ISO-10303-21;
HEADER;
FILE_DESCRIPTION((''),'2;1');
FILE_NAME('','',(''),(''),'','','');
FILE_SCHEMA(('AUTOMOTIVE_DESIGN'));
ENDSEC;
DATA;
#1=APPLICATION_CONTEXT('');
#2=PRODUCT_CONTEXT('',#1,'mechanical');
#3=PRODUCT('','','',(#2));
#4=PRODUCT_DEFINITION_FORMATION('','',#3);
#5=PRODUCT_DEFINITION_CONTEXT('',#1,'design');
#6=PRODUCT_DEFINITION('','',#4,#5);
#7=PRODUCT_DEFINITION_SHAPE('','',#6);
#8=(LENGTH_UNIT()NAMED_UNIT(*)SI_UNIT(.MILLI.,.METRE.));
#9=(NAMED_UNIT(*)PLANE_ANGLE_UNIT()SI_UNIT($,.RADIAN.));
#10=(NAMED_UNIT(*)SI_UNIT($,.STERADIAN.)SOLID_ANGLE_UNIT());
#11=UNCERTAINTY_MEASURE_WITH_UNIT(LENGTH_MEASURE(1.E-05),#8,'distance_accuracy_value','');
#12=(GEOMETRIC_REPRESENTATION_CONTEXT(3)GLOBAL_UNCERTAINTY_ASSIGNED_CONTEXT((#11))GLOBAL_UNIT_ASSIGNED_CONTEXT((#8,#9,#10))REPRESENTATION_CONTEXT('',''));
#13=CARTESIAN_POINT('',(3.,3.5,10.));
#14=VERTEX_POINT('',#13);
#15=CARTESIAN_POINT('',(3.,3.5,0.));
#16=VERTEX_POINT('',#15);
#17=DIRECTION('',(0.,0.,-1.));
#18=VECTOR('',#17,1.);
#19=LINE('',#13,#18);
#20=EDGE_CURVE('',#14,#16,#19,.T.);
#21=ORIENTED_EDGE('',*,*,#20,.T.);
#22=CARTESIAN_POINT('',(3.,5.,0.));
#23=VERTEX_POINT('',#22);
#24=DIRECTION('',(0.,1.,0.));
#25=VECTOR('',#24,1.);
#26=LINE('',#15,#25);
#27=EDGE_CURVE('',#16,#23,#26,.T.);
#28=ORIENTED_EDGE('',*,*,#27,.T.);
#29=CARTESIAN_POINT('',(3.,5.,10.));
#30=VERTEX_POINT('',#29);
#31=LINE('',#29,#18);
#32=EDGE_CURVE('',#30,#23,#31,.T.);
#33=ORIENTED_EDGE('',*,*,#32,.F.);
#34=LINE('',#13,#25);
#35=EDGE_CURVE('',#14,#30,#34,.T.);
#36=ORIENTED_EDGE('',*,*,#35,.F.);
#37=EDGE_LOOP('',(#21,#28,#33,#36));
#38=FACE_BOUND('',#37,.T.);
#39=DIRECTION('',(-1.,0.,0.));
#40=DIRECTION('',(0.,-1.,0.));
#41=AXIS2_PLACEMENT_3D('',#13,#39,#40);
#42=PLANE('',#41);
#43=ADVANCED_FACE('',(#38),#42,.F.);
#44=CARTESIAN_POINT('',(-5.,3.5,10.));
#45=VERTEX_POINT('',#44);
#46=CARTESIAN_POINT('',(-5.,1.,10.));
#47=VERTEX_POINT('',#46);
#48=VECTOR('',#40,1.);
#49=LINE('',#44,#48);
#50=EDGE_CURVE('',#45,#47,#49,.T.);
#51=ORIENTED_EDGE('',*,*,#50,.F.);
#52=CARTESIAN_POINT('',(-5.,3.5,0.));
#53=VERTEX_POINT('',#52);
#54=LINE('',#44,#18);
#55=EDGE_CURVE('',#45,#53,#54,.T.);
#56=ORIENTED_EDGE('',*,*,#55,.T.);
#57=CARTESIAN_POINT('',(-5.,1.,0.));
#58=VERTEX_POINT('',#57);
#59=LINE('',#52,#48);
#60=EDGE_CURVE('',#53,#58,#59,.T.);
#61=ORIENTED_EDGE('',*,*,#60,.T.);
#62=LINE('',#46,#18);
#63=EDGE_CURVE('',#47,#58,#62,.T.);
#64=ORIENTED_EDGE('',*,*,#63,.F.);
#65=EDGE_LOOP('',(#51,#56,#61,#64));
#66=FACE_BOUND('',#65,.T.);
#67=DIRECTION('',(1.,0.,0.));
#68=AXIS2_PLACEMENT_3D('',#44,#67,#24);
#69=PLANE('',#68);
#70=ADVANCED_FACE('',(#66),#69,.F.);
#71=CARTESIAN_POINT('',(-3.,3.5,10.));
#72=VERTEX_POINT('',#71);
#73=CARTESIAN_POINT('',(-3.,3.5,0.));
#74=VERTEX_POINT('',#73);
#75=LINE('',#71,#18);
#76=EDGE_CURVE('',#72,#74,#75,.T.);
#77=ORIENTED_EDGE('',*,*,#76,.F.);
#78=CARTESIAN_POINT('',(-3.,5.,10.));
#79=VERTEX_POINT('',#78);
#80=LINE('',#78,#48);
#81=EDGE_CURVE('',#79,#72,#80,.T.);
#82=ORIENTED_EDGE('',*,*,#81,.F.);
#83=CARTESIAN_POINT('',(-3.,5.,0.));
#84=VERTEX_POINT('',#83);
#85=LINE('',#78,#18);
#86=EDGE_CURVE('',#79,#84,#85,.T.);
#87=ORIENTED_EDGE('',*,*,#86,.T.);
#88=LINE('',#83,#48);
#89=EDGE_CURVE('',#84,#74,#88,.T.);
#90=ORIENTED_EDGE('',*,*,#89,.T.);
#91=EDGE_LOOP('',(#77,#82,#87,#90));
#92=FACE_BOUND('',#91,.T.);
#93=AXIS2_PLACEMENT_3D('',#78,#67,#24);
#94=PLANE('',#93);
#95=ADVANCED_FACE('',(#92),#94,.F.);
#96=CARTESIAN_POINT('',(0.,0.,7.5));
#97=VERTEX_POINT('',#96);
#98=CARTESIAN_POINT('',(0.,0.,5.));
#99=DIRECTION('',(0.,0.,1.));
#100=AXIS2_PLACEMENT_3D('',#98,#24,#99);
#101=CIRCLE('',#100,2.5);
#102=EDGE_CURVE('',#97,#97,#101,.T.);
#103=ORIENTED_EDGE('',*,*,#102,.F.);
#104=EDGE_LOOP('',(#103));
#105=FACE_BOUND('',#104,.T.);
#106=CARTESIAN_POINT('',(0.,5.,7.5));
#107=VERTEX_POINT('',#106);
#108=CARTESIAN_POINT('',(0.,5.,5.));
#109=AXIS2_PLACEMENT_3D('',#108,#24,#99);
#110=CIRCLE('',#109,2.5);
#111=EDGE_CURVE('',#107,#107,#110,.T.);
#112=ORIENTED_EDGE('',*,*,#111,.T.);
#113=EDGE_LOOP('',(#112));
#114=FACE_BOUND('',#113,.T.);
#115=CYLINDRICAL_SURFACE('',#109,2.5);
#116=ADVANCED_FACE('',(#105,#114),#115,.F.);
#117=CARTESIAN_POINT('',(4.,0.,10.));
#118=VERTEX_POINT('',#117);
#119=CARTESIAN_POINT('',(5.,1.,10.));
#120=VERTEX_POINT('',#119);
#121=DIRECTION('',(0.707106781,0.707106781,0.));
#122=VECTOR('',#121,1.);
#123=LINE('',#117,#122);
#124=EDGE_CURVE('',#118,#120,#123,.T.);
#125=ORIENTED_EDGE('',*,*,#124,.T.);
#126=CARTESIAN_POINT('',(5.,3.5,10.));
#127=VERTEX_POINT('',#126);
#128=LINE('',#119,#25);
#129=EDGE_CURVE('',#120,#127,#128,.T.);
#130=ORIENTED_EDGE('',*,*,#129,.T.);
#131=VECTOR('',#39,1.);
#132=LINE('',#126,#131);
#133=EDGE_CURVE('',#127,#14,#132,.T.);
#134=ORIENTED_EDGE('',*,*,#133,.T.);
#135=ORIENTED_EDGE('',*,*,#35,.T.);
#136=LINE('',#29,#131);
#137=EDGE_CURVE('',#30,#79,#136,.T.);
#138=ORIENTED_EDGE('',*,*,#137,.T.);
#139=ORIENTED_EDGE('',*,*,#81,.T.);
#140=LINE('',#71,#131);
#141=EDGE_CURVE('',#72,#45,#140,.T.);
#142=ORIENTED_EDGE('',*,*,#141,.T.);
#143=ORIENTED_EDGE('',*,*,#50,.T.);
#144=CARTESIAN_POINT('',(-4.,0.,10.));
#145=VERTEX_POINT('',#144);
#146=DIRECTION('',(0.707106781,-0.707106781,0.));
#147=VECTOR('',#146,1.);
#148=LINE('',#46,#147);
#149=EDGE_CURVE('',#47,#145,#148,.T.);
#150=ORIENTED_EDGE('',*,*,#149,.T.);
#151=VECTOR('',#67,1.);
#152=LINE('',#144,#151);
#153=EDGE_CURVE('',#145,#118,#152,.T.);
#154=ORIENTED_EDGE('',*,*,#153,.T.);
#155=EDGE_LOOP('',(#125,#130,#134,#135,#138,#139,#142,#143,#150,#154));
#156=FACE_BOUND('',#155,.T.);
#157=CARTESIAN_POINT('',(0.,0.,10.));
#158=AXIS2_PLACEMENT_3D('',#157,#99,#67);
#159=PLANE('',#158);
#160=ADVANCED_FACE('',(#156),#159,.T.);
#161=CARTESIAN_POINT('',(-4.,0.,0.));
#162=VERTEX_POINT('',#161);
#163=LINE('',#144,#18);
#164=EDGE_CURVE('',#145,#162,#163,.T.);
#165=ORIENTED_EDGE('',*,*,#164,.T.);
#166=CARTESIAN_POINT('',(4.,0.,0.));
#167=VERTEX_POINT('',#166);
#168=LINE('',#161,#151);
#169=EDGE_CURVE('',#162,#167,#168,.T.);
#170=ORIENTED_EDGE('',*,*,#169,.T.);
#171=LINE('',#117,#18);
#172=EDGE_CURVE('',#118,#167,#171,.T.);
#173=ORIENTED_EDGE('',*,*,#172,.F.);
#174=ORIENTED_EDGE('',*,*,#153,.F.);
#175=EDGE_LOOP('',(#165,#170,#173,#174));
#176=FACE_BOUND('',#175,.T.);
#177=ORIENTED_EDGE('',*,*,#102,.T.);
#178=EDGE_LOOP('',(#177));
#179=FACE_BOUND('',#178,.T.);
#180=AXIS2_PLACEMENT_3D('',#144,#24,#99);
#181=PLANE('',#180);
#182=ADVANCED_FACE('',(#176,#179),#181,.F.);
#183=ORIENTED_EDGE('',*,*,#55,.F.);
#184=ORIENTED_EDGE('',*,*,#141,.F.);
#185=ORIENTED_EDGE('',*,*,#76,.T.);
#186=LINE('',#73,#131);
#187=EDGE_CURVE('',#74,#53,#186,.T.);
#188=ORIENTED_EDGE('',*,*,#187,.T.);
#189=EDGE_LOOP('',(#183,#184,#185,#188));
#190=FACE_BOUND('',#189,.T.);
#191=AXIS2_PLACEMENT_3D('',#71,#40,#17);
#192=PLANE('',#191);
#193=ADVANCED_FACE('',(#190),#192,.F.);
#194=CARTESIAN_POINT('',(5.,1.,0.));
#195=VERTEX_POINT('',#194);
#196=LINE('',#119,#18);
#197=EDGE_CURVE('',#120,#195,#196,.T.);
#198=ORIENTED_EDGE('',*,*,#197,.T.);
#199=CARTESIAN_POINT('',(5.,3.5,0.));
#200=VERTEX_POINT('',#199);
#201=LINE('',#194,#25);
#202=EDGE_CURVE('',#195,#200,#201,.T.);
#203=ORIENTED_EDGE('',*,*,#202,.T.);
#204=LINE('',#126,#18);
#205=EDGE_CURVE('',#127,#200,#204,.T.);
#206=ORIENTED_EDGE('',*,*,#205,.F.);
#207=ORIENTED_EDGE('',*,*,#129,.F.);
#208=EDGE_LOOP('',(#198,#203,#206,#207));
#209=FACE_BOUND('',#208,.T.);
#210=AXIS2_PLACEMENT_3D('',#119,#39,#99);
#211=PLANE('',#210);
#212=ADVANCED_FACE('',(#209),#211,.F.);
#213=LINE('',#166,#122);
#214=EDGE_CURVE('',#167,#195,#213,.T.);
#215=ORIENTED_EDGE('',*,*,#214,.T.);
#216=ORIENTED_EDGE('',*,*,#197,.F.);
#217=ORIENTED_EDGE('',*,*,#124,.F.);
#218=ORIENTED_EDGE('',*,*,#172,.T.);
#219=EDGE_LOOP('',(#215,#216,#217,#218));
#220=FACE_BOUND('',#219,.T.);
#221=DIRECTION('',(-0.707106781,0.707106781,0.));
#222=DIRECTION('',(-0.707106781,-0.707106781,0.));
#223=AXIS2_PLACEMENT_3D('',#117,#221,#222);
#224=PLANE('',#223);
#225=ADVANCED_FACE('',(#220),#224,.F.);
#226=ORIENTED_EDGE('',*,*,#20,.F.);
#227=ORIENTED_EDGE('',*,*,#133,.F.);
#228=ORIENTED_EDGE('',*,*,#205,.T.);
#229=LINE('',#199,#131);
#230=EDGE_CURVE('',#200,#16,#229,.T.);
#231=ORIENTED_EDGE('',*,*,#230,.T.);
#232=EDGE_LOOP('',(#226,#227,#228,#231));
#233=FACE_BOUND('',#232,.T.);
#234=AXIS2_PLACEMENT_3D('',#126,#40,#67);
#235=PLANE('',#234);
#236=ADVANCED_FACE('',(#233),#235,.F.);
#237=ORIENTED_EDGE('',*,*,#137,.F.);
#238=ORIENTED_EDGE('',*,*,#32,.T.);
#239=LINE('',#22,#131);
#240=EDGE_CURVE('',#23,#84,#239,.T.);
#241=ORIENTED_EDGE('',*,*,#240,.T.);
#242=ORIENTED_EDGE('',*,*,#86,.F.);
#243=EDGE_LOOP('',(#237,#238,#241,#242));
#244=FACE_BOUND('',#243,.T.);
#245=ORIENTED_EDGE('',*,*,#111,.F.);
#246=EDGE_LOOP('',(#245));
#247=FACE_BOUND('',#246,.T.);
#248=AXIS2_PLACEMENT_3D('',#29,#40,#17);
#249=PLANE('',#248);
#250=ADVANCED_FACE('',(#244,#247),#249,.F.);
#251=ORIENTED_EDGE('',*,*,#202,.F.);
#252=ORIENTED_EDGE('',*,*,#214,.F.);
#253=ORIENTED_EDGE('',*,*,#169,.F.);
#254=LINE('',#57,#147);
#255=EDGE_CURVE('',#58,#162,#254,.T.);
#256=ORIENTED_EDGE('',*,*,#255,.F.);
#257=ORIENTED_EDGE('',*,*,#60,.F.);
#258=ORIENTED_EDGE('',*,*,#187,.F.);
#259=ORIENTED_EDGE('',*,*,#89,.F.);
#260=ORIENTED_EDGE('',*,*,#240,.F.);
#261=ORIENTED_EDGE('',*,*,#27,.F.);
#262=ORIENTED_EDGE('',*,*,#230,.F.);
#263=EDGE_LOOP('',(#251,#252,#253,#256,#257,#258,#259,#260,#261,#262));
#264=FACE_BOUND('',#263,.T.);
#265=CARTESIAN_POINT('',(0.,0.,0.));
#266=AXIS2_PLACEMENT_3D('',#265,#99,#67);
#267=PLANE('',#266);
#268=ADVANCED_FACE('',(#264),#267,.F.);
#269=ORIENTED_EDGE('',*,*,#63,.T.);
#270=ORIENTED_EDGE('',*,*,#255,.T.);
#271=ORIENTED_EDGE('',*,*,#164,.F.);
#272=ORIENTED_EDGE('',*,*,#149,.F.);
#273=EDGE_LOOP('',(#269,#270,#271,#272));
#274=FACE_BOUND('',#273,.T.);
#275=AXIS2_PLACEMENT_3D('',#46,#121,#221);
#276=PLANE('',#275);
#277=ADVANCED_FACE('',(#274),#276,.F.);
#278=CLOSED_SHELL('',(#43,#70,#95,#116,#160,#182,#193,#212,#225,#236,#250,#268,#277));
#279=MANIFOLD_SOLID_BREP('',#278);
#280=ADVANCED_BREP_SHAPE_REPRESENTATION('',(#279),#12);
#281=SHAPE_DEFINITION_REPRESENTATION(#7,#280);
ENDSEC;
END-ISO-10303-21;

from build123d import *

# Parameters (mm, degrees)
BOSS_EXTRUDE1_DEPTH   = 10
M6X1_0_TAPPED_HOLE1_D = 5


with BuildPart() as part:
    # Sketch1 → Boss-Extrude1 (new body)
    with BuildSketch(Plane.XY):
        Polygon((-4, 0), (4, 0), (5, 1), (5, 3.5), (3, 3.5), (3, 5), (-3, 5), (-3, 3.5), (-5, 3.5), (-5, 1), align=None)
    extrude(amount=BOSS_EXTRUDE1_DEPTH)

    # M6x1.0 Tapped Hole1 (through all)
    with Locations(Plane(origin=(0, 5, 0), x_dir=(1, 0, 0), z_dir=(0, 1, 0))):
        with Locations((0, -5)):
            Hole(M6X1_0_TAPPED_HOLE1_D / 2)


solid = part.part
